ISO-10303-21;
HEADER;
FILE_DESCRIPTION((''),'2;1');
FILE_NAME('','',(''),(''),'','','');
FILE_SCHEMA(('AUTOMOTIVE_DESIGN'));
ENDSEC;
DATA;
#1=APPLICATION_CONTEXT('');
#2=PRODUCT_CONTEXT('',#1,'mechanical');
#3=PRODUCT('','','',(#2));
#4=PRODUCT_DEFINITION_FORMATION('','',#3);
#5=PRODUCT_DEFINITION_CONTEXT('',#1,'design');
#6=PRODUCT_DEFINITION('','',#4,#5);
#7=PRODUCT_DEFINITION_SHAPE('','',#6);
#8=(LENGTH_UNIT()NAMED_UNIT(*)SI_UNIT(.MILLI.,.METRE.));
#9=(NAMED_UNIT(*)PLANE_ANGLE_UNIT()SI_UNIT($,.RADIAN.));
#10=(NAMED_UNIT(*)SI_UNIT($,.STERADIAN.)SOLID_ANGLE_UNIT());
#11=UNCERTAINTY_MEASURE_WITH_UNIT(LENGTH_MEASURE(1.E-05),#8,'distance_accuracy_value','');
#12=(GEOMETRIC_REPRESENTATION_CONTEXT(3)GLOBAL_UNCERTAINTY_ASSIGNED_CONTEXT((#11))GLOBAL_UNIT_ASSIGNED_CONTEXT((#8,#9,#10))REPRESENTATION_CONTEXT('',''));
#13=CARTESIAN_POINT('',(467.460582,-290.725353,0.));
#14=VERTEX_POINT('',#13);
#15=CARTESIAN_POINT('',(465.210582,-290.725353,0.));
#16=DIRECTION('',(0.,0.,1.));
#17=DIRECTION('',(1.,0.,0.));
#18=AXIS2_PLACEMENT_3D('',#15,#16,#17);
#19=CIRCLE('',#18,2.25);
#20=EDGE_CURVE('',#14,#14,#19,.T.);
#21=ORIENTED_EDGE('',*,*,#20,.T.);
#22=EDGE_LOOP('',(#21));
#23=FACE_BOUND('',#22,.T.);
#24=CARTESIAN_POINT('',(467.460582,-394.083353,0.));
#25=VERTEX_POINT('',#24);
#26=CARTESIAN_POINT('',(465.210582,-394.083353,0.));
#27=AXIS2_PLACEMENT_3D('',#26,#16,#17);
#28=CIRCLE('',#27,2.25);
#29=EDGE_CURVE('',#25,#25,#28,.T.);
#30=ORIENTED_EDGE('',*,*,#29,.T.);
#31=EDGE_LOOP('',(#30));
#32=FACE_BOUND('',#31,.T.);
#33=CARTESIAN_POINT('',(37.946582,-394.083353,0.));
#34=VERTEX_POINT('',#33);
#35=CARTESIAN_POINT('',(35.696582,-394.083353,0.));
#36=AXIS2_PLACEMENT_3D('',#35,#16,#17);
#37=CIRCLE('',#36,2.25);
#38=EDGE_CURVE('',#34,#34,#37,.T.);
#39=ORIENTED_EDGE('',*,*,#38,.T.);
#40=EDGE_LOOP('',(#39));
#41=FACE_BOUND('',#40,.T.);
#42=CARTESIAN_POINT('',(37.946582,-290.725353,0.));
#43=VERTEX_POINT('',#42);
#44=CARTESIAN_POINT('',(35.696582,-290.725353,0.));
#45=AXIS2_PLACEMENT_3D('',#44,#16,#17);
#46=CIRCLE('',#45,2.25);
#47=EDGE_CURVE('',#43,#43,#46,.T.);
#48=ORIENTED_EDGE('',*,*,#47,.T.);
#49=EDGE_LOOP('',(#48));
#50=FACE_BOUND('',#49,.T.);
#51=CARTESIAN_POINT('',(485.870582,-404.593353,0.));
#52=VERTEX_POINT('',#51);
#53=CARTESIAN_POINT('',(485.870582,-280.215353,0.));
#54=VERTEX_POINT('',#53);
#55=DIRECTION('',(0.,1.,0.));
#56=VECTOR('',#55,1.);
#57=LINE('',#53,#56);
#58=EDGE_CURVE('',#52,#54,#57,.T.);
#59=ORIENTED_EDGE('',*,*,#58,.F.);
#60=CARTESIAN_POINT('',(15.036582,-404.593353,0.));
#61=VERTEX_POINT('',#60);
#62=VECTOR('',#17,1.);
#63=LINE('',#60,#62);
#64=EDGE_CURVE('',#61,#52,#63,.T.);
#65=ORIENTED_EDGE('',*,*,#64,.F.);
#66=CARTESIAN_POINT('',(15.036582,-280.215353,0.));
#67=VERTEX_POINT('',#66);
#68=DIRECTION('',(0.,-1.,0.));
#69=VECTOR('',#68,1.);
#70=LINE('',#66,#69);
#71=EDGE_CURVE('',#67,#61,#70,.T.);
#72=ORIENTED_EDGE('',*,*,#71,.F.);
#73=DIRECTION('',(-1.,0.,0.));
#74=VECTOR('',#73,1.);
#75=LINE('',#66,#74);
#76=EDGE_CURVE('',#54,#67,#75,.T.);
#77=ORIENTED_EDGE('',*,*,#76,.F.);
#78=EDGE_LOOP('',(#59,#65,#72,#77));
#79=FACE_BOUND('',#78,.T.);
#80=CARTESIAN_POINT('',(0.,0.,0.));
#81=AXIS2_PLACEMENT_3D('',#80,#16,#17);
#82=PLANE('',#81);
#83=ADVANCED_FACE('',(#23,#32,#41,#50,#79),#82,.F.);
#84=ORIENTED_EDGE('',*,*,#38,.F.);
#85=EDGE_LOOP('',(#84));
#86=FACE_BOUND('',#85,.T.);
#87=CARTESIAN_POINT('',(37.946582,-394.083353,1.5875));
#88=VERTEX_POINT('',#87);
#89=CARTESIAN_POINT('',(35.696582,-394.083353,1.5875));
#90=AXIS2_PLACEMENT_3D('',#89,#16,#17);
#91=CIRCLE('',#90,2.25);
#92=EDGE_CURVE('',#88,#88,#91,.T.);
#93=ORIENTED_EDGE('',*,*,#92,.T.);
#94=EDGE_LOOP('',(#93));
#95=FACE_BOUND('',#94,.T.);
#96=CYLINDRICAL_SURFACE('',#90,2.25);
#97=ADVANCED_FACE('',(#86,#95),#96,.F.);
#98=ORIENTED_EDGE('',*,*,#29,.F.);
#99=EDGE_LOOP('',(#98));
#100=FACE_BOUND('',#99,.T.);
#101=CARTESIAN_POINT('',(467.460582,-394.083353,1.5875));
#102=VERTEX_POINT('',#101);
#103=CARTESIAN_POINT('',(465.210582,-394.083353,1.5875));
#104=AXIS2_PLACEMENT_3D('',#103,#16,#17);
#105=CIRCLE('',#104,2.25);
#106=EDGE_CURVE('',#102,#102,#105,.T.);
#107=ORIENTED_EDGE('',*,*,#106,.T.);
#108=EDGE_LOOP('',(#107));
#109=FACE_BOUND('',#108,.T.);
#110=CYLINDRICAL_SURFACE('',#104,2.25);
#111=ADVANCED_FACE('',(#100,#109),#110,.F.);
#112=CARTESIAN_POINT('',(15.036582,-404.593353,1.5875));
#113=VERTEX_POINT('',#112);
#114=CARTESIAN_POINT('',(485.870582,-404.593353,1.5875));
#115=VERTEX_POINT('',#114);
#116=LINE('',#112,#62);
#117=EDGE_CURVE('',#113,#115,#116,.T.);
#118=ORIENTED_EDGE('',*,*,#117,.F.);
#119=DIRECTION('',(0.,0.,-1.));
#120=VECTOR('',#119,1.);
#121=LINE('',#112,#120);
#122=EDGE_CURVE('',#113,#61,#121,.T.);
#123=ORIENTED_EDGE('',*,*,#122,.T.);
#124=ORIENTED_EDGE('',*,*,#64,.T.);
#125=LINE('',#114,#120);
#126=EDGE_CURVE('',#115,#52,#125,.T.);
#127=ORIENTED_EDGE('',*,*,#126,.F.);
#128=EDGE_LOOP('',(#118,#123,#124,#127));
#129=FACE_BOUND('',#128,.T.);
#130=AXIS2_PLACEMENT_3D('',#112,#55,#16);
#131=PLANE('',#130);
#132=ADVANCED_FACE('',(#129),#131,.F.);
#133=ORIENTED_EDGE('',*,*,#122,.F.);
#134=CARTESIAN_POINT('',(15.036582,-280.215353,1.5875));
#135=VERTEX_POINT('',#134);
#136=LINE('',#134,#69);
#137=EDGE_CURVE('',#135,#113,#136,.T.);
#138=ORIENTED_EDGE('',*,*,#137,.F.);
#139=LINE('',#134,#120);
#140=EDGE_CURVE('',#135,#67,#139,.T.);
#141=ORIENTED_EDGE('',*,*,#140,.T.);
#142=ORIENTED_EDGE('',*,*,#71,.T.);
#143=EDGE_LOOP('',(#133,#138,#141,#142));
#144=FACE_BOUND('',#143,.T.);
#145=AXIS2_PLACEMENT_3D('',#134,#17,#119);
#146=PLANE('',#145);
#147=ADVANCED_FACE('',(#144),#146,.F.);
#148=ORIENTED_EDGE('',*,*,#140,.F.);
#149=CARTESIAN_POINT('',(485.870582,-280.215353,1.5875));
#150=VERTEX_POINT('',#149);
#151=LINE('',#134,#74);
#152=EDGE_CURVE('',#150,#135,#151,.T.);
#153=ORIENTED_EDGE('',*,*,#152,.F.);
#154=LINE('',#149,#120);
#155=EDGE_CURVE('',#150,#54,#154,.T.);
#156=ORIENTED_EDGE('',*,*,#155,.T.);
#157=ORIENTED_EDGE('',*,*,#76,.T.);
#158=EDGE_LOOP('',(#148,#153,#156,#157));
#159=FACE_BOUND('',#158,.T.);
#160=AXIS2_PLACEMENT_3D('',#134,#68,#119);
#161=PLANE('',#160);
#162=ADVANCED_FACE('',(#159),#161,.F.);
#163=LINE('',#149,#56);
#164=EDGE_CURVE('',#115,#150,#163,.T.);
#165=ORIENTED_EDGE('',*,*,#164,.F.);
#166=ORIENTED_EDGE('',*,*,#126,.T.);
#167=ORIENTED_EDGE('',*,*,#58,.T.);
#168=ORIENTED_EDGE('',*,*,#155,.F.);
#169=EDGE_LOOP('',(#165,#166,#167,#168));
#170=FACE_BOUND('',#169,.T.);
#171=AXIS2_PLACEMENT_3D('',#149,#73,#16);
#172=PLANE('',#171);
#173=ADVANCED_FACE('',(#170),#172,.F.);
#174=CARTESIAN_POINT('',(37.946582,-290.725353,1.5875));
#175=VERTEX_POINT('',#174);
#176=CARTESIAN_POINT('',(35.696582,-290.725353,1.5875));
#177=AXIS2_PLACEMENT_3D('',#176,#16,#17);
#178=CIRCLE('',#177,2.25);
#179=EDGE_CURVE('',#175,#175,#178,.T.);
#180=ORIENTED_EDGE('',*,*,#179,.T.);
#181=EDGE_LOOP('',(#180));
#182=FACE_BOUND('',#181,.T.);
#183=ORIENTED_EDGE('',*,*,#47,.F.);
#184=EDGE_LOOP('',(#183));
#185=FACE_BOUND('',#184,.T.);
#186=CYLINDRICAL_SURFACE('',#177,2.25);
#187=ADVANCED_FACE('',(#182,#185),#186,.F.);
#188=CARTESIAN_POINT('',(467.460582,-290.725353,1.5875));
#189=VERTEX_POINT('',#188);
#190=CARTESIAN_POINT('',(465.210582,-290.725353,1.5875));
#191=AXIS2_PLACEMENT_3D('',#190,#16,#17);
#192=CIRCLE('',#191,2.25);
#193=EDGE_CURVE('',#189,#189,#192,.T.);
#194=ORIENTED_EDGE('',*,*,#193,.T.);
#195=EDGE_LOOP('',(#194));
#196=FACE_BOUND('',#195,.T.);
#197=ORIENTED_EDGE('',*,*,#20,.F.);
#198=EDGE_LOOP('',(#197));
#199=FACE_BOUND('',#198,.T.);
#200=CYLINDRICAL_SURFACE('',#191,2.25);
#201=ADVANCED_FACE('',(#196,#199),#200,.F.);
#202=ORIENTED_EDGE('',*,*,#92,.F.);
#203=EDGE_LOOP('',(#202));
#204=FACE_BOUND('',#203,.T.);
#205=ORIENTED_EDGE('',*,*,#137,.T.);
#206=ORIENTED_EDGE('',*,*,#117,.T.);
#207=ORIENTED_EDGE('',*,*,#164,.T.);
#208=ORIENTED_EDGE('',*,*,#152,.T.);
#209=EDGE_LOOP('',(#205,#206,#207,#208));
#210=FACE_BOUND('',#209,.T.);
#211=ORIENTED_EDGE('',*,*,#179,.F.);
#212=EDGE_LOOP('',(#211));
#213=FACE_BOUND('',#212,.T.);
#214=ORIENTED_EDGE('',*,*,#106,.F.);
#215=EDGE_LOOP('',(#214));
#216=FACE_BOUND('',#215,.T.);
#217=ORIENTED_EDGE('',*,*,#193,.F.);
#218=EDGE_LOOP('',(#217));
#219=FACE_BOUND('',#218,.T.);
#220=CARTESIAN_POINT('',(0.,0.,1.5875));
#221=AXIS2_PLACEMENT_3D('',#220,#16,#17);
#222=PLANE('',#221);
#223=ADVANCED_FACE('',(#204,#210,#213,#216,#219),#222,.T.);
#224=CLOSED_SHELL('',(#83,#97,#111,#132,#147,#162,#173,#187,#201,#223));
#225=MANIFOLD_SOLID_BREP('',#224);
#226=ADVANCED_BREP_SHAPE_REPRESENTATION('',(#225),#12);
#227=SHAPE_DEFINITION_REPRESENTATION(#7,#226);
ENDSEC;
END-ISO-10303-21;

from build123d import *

# Parameters (mm, degrees)
SKETCH1_W            = 470.834
SKETCH1_H            = 124.378
SKETCH1_R            = 1.349174791
SKETCH1_R_2          = 1.283013689
SKETCH1_R_3          = 1.369737485
SKETCH1_R_4          = 1.484366509
BOSS_EXTRUDE1_DEPTH  = 1.5875
M4_CLEARANCE_HOLE1_D = 4.5


with BuildPart() as part:
    # Sketch1 → Boss-Extrude1 (new body)
    with BuildSketch(Plane.XY):
        with Locations((250.453582273, -342.404352818)):
            Rectangle(SKETCH1_W, SKETCH1_H)
        with Locations((465.210582273, -290.725352818)):
            Circle(SKETCH1_R, mode=Mode.SUBTRACT)
        with Locations((465.210582273, -394.083352818)):
            Circle(SKETCH1_R_2, mode=Mode.SUBTRACT)
        with Locations((35.696582273, -290.725352818)):
            Circle(SKETCH1_R_3, mode=Mode.SUBTRACT)
        with Locations((35.696582273, -394.083352818)):
            Circle(SKETCH1_R_4, mode=Mode.SUBTRACT)
    extrude(amount=BOSS_EXTRUDE1_DEPTH)

    # M4 Clearance Hole1 (through all)
    with Locations(Plane.XY.offset(1.5875)):
        with Locations((35.696582273, -290.725352818), (35.696582273, -394.083352818), (465.210582273, -290.725352818), (465.210582273, -394.083352818)):
            Hole(M4_CLEARANCE_HOLE1_D / 2)


solid = part.part
